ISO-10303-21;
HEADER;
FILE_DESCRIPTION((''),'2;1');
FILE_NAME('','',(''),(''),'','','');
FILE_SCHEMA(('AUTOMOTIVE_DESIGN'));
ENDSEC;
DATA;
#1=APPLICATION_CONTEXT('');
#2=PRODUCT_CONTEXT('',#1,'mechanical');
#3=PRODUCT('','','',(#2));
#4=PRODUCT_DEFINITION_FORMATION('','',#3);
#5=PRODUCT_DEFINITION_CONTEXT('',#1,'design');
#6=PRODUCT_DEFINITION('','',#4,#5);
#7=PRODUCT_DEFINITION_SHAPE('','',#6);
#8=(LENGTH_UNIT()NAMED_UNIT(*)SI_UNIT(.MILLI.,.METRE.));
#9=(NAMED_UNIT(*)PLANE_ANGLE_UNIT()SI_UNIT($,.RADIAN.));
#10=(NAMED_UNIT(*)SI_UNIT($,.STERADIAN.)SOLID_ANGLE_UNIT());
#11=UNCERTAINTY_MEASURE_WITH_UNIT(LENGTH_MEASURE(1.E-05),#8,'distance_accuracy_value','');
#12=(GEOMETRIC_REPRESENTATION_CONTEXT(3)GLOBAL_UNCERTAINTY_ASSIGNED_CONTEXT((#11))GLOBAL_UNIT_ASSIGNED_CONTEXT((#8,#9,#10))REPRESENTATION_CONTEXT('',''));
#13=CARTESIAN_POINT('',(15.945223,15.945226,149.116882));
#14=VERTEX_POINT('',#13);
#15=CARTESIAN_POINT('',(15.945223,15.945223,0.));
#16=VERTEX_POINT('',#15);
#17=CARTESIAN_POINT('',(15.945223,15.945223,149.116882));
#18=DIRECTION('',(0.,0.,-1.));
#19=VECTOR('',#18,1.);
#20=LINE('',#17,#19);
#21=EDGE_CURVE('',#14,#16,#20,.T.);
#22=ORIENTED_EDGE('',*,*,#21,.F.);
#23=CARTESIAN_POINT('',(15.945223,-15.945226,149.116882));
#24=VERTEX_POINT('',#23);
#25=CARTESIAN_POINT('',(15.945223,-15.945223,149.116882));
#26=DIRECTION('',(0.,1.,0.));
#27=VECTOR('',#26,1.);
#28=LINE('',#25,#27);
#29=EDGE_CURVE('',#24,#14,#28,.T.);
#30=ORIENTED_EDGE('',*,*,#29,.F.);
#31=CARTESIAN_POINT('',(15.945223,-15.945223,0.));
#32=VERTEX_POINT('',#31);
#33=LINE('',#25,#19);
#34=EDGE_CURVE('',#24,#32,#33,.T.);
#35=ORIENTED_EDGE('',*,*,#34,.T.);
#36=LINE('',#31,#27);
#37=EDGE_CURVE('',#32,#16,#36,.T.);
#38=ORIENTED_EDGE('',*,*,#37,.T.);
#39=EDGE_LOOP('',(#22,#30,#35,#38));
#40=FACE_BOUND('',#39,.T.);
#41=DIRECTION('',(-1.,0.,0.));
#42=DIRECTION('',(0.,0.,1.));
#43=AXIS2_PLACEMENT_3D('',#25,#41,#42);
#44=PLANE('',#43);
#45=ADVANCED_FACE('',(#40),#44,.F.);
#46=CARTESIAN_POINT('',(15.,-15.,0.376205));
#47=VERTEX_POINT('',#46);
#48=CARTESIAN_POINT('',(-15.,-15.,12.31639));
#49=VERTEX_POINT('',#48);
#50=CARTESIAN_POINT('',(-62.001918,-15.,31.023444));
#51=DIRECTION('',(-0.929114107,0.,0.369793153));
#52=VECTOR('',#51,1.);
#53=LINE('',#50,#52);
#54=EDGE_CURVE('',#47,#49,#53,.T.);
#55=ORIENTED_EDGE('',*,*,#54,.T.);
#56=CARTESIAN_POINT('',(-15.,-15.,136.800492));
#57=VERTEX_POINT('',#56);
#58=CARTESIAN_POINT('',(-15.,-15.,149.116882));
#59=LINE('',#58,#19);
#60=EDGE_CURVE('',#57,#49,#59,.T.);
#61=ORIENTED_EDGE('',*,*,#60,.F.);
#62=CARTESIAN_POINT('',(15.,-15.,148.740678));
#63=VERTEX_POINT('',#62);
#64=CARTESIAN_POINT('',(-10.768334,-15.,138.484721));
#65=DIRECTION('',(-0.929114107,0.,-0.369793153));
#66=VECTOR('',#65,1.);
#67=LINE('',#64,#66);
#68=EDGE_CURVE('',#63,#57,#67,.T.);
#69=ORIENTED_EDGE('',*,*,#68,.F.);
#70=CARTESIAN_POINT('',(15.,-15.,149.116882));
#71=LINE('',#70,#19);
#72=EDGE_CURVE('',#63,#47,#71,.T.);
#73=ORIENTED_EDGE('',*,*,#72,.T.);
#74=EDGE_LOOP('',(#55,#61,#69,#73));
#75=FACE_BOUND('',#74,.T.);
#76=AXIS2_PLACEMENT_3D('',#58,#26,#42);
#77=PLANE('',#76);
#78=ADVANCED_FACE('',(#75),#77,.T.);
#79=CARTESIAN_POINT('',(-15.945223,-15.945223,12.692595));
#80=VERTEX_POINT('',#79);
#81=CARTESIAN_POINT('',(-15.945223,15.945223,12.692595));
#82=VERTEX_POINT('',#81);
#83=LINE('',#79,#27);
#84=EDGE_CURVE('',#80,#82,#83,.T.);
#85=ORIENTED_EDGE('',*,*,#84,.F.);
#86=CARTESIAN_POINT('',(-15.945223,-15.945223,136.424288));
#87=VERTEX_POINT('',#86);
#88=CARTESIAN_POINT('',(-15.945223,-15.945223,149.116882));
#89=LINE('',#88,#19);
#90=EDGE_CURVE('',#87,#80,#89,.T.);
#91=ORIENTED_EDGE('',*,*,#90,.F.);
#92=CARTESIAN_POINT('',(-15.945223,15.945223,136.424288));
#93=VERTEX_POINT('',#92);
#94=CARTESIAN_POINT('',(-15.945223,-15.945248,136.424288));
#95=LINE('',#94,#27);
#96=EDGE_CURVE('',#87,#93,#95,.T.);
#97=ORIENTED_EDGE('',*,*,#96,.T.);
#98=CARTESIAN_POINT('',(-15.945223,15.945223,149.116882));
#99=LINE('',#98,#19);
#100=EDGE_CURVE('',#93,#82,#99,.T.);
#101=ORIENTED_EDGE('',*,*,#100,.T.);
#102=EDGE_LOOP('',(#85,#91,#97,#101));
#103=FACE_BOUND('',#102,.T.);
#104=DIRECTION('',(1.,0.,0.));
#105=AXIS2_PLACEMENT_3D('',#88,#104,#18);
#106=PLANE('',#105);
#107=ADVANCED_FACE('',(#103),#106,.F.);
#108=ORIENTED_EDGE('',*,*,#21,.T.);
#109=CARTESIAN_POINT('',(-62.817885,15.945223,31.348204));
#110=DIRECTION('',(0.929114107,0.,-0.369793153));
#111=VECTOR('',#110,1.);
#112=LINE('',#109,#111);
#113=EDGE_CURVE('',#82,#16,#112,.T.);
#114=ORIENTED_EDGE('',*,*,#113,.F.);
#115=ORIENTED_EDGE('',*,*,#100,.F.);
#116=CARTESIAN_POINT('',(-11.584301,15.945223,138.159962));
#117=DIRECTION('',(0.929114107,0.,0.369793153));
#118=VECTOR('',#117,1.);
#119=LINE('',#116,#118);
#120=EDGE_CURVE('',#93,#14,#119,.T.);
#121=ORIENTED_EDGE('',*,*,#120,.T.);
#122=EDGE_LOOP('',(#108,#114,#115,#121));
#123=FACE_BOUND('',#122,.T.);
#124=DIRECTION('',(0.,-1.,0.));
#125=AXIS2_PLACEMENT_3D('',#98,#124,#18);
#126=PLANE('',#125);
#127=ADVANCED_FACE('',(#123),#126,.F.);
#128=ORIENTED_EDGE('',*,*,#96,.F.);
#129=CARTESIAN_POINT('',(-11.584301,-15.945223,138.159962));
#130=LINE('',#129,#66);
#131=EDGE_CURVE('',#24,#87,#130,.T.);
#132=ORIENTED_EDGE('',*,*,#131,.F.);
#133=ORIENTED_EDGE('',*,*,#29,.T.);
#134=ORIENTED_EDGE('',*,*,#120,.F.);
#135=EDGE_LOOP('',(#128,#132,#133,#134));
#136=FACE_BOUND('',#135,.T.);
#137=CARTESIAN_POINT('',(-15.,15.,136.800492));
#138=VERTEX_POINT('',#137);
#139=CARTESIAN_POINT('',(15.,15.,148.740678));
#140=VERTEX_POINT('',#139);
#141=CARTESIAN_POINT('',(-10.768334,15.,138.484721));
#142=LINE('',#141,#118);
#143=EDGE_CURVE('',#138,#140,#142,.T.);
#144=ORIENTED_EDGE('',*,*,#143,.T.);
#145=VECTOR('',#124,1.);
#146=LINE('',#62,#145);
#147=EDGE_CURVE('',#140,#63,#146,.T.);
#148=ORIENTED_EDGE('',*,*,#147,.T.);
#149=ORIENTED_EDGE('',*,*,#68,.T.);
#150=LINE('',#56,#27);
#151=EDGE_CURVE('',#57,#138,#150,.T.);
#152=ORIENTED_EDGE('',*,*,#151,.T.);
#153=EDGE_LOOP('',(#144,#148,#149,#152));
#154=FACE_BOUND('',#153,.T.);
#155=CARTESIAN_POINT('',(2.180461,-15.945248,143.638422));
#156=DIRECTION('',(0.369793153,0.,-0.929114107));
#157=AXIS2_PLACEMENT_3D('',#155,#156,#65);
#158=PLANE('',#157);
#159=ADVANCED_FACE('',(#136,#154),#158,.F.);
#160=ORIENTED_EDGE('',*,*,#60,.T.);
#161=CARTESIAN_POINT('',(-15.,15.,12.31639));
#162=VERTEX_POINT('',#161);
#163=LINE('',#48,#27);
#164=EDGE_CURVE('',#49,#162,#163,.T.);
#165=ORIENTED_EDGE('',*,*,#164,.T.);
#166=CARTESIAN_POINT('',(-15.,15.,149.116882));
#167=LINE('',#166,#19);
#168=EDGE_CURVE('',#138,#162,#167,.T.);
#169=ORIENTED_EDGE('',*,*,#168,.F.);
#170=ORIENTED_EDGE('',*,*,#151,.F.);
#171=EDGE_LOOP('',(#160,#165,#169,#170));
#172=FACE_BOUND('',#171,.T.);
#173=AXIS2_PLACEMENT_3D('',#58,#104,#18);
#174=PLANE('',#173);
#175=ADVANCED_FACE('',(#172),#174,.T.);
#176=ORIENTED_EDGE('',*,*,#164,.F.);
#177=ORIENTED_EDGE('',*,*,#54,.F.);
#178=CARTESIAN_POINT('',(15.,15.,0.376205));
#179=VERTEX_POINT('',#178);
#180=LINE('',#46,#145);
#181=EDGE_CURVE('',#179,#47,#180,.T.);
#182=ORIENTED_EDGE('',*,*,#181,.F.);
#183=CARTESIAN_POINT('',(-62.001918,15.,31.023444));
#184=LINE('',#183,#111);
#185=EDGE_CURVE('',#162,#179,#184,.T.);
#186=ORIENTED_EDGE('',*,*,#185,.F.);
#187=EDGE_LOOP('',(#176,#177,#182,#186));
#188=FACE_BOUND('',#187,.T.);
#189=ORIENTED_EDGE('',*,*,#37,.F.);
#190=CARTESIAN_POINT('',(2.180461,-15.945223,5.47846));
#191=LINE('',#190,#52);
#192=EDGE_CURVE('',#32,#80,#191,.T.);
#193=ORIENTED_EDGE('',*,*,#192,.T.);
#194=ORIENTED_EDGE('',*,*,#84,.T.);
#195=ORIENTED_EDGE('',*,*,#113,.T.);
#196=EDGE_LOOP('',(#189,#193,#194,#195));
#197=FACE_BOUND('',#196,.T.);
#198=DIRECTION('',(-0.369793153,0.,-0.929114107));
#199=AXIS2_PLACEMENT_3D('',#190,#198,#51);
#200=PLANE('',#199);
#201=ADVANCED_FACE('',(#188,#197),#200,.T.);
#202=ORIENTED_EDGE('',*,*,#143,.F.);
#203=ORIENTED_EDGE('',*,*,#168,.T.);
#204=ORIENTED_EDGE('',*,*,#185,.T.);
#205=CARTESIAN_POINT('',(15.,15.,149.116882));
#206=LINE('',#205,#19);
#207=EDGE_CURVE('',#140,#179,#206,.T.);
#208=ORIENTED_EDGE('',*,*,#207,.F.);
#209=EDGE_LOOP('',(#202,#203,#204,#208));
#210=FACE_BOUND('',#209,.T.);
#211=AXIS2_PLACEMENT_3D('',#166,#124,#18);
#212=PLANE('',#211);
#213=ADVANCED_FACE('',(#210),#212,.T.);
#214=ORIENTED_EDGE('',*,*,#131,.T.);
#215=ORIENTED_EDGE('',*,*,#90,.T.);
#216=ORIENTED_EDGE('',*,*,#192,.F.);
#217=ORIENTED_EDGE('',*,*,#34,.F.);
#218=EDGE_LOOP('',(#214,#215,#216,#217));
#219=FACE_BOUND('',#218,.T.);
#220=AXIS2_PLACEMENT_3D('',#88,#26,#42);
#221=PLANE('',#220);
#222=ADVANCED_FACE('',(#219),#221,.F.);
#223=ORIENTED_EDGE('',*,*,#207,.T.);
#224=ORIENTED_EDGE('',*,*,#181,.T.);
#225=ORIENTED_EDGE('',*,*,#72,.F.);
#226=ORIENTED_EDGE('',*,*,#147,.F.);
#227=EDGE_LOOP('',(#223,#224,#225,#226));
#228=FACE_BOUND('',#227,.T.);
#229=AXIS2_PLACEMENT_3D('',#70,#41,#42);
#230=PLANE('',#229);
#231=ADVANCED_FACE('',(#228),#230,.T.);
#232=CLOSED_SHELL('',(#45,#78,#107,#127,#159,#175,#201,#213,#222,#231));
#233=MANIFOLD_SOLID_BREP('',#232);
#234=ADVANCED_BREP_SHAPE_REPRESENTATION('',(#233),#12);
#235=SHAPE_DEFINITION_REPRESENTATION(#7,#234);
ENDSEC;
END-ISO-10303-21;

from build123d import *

# Parameters (mm, degrees)
ESBO_O1_W                = 31.890446896
ESBO_O1_H                = 31.890446896
ESBO_O1_W_2              = 30
ESBO_O1_H_2              = 30
RESSALTO_EXTRUS_O1_DEPTH = 149.11688245
CORTE_EXTRUS_O1_DEPTH    = 154.320238017


with BuildPart() as part:
    # Esboço1 → Ressalto-extrusão1 (new body)
    with BuildSketch(Plane.XY):
        Rectangle(ESBO_O1_W, ESBO_O1_H)
        Rectangle(ESBO_O1_W_2, ESBO_O1_H_2, mode=Mode.SUBTRACT)
    extrude(amount=RESSALTO_EXTRUS_O1_DEPTH)

    # Esboço3 → Corte-extrusão1 (cut, symmetric)
    with BuildSketch(Plane(origin=(0, 15.945223448, 0), x_dir=(1, 0, 0), z_dir=(0, 1, 0))):
        Polygon((-15.945223448, -12.692594834), (15.945223448, 0), (-15.945223448, 0), align=None)
    corte_extrus_o1 = extrude(amount=CORTE_EXTRUS_O1_DEPTH, both=True, mode=Mode.SUBTRACT)

    # Espelhar5: Corte-extrusão1 across plane
    add(corte_extrus_o1.mirror(Plane(origin=(0, 0, 74.558441225), x_dir=(1, 0, 0), z_dir=(0, 0, -1))), mode=Mode.SUBTRACT)


solid = part.part
